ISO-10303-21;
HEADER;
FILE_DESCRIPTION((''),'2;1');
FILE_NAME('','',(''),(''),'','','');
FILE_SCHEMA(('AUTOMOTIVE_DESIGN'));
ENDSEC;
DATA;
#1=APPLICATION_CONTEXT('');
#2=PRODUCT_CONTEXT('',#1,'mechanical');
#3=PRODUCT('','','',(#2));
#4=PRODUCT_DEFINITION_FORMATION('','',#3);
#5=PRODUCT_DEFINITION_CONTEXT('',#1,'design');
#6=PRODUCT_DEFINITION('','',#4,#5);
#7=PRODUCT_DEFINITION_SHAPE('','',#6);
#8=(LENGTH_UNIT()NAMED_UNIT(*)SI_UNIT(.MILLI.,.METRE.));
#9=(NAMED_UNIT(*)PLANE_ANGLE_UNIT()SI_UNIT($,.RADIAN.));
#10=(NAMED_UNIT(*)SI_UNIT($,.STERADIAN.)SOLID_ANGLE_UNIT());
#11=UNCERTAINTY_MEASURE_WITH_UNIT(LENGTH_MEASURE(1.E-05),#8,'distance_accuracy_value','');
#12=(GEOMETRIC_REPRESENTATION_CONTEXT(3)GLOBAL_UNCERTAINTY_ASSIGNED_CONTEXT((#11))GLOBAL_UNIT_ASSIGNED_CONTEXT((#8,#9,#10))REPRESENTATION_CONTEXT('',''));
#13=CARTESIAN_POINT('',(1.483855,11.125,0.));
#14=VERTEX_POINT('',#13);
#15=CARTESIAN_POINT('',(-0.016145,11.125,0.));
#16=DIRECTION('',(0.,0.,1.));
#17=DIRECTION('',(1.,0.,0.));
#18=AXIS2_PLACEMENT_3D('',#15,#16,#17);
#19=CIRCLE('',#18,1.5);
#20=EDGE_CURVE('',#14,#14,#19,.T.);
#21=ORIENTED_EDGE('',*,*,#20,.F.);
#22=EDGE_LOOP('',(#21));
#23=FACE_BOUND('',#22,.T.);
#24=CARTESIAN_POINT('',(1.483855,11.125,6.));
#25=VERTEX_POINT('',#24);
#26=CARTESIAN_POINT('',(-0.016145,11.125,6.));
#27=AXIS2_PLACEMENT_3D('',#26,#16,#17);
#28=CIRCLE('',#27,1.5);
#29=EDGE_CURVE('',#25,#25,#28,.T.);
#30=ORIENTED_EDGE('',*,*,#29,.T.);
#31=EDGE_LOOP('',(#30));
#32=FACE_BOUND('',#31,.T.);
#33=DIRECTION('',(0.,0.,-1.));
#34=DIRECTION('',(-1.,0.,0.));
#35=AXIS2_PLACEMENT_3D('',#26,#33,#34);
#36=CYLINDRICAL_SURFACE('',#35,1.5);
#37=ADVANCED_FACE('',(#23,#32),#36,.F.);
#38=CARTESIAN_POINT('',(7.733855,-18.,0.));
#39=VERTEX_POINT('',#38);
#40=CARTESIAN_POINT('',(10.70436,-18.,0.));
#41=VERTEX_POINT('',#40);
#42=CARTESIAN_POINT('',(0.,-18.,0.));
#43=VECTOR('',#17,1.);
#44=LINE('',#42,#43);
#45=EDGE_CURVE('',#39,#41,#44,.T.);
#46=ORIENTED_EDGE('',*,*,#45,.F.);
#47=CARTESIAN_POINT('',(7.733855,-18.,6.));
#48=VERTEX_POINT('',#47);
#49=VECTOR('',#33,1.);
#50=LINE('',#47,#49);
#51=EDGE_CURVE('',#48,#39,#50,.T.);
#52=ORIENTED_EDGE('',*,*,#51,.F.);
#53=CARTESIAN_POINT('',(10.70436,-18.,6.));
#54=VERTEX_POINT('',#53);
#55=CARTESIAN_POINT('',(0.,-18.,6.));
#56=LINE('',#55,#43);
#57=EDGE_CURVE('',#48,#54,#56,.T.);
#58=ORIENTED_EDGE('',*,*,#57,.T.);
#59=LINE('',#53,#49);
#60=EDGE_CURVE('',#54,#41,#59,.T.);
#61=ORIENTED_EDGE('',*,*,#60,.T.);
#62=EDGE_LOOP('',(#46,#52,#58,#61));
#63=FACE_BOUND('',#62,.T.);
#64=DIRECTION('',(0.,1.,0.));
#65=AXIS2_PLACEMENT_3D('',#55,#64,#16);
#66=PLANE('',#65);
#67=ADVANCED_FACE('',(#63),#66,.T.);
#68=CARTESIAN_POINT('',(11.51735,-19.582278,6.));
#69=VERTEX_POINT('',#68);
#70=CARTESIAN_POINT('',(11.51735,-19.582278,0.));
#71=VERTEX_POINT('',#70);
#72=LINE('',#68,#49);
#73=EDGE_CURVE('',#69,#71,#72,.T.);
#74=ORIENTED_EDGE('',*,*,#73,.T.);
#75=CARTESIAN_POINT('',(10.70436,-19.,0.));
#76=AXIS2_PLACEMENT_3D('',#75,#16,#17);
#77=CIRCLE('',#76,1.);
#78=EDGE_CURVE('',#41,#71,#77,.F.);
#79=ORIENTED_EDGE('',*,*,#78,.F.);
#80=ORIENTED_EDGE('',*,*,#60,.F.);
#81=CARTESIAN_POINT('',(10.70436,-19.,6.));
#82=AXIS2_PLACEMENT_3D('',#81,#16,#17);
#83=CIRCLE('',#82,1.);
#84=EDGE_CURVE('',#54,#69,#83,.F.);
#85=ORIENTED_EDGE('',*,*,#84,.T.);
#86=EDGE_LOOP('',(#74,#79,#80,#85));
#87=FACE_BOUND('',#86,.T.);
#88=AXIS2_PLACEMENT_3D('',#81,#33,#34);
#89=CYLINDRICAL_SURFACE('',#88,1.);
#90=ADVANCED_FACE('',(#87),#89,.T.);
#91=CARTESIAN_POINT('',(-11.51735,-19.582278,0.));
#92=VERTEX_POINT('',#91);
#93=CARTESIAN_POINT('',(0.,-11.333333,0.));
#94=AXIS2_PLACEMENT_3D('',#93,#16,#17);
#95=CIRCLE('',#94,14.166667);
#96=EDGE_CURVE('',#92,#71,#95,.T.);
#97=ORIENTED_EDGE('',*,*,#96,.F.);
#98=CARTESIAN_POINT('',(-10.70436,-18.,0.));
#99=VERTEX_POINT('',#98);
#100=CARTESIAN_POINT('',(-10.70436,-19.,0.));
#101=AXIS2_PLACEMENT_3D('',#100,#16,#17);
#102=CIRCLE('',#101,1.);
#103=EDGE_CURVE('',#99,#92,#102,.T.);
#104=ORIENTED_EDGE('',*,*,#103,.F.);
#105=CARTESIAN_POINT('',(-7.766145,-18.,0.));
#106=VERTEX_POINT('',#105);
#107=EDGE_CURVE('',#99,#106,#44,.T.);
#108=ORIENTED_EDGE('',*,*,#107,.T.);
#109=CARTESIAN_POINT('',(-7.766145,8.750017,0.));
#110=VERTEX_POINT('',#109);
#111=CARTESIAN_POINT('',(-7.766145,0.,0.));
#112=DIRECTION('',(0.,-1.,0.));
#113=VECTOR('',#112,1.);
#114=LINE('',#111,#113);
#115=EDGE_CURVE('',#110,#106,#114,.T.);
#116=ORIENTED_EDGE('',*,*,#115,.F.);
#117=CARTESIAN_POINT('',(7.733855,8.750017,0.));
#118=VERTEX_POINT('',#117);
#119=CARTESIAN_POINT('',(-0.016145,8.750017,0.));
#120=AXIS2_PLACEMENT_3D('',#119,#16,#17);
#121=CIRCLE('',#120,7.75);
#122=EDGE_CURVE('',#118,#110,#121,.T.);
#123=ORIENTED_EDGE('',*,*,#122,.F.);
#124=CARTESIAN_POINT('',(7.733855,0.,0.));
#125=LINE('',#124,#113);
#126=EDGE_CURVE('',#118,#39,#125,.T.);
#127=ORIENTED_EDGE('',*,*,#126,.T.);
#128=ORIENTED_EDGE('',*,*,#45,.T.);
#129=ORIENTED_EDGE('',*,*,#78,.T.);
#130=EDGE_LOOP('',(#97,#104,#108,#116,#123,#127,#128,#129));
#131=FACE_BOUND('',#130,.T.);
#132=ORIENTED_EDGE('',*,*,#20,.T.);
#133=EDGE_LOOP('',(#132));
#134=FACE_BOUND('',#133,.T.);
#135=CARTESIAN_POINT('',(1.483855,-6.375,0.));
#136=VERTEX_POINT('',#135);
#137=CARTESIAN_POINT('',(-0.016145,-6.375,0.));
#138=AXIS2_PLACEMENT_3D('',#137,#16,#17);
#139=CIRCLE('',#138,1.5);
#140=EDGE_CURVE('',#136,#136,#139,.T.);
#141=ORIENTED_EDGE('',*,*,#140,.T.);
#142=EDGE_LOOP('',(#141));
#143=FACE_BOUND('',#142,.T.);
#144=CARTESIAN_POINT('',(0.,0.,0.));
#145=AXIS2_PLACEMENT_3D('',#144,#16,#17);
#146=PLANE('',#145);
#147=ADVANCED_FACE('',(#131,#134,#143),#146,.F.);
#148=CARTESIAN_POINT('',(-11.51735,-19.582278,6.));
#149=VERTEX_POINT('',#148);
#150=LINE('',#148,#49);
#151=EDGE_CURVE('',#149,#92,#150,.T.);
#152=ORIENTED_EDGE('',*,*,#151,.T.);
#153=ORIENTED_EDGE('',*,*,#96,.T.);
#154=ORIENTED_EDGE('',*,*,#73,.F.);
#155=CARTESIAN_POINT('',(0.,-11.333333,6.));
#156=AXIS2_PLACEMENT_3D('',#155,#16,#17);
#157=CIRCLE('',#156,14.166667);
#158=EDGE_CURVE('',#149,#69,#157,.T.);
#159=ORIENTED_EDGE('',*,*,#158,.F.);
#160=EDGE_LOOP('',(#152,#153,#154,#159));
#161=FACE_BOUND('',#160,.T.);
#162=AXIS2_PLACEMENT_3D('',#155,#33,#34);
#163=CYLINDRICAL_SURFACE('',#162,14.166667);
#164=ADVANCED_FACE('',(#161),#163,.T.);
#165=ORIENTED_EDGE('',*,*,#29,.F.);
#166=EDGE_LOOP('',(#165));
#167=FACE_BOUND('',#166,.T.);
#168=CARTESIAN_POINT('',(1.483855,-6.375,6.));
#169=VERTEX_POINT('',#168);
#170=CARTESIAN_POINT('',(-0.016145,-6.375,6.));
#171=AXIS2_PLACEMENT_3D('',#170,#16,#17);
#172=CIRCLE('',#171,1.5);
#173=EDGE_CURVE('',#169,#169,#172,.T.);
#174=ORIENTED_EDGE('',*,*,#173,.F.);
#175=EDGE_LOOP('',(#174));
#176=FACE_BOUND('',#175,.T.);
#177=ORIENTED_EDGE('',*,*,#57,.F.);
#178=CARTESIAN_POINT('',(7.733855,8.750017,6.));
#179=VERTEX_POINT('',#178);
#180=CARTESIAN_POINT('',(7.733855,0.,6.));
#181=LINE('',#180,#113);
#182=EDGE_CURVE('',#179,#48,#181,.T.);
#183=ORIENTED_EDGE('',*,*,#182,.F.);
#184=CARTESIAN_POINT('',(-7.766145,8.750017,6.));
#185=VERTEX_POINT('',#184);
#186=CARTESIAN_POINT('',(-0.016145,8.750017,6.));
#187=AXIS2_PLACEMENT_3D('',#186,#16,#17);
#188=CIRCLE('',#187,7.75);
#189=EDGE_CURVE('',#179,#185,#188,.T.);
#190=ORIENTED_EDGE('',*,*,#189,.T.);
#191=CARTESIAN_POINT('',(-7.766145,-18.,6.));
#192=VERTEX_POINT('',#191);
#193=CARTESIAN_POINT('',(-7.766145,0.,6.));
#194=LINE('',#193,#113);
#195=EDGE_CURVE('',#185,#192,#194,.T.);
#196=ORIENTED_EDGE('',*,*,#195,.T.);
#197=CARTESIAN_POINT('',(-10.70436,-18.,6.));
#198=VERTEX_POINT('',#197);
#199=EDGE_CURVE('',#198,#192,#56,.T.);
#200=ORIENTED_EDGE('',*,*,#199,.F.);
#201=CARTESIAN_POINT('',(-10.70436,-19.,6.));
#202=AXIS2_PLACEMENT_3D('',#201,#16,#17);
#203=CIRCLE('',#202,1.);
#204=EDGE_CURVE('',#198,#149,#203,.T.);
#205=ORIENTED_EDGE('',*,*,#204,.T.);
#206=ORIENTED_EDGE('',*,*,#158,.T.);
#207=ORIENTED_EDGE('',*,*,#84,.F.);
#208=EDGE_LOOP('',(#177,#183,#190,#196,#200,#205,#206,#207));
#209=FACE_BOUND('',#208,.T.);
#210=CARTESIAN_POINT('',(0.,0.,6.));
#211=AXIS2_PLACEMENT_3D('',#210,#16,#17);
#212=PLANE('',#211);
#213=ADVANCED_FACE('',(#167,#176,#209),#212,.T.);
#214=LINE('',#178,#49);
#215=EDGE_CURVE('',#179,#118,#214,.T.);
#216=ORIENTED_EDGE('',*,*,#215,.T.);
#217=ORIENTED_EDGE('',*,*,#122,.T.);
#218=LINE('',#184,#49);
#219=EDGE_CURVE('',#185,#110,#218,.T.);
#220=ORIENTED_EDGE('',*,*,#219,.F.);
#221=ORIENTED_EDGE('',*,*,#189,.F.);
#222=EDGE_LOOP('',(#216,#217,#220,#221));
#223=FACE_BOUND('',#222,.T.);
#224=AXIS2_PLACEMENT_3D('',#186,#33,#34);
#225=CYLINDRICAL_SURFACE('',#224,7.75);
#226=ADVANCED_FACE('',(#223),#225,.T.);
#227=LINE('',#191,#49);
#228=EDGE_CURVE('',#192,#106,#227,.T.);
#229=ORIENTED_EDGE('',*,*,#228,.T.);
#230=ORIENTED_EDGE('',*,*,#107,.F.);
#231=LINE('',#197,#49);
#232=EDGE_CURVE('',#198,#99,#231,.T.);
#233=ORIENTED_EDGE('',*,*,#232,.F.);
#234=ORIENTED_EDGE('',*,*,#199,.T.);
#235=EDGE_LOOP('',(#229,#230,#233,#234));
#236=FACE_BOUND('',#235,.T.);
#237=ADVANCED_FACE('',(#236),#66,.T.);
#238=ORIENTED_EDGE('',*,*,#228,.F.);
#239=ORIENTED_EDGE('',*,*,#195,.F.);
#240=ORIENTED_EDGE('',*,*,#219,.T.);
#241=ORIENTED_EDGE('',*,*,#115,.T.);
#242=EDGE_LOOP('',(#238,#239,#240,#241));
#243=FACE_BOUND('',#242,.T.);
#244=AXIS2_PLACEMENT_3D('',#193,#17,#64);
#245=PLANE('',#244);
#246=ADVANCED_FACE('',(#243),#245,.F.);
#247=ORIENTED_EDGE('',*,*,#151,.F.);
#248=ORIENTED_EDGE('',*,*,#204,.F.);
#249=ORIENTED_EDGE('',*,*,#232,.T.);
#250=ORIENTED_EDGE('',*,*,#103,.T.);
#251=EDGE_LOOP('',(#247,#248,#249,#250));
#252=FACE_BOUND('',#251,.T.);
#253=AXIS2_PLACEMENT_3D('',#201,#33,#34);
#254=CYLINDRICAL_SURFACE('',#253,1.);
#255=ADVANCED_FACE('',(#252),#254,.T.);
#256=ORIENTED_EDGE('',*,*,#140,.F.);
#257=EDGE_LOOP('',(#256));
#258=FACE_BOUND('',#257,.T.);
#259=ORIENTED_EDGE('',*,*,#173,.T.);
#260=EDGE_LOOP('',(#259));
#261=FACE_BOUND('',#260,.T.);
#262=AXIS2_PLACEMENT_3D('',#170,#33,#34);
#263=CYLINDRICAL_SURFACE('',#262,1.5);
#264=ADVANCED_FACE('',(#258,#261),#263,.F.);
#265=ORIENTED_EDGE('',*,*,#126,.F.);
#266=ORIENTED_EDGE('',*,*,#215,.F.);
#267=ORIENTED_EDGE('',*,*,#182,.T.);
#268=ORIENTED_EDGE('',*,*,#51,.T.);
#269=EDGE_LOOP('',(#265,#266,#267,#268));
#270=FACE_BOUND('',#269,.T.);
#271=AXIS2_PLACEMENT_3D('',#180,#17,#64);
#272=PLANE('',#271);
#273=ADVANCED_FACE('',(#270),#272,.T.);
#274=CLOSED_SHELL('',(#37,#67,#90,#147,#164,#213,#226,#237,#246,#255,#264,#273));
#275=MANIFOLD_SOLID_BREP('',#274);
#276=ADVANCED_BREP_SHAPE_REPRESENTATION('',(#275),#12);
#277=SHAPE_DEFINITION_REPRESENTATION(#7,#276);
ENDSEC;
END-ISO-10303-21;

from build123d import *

# Parameters (mm, degrees)
SKETCH1_R           = 1.5
BOSS_EXTRUDE2_DEPTH = 6


with BuildPart() as part:
    # Sketch1 → Boss-Extrude2 (new body)
    # profile 1 of 2: a face of its own
    with BuildSketch(Plane.XY):
        with BuildLine():
            Line((-7.766144764, 8.750016816), (-7.766144764, -18))
            Line((-7.766144764, -18), (7.733855236, -18))
            Line((7.733855236, -18), (7.733855236, 8.750016816))
            ThreePointArc((7.733855236, 8.750016816), (7.327886817, 11.225436), (6.152513266, 13.44151531))
            ThreePointArc((6.152513266, 13.44151531), (-2.491563947, 16.094048398), (-7.766144764, 8.750016816))
        make_face()
        with Locations((-0.016144764, -6.375)):
            Circle(SKETCH1_R, mode=Mode.SUBTRACT)
        with Locations((-0.016144764, 11.125)):
            Circle(SKETCH1_R, mode=Mode.SUBTRACT)
    # profile 2 of 2: a face of its own
    with BuildSketch(Plane.XY):
        with BuildLine():
            ThreePointArc((10.704360482, -18), (11.593820566, -18.542987134), (11.517349886, -19.582278481))
            ThreePointArc((11.517349886, -19.582278481), (0, -25.5), (-11.517349886, -19.582278481))
            ThreePointArc((-11.517349886, -19.582278481), (-11.593820566, -18.542987134), (-10.704360482, -18))
            Line((-10.704360482, -18), (10.704360482, -18))
        make_face()
    extrude(amount=BOSS_EXTRUDE2_DEPTH)


solid = part.part
